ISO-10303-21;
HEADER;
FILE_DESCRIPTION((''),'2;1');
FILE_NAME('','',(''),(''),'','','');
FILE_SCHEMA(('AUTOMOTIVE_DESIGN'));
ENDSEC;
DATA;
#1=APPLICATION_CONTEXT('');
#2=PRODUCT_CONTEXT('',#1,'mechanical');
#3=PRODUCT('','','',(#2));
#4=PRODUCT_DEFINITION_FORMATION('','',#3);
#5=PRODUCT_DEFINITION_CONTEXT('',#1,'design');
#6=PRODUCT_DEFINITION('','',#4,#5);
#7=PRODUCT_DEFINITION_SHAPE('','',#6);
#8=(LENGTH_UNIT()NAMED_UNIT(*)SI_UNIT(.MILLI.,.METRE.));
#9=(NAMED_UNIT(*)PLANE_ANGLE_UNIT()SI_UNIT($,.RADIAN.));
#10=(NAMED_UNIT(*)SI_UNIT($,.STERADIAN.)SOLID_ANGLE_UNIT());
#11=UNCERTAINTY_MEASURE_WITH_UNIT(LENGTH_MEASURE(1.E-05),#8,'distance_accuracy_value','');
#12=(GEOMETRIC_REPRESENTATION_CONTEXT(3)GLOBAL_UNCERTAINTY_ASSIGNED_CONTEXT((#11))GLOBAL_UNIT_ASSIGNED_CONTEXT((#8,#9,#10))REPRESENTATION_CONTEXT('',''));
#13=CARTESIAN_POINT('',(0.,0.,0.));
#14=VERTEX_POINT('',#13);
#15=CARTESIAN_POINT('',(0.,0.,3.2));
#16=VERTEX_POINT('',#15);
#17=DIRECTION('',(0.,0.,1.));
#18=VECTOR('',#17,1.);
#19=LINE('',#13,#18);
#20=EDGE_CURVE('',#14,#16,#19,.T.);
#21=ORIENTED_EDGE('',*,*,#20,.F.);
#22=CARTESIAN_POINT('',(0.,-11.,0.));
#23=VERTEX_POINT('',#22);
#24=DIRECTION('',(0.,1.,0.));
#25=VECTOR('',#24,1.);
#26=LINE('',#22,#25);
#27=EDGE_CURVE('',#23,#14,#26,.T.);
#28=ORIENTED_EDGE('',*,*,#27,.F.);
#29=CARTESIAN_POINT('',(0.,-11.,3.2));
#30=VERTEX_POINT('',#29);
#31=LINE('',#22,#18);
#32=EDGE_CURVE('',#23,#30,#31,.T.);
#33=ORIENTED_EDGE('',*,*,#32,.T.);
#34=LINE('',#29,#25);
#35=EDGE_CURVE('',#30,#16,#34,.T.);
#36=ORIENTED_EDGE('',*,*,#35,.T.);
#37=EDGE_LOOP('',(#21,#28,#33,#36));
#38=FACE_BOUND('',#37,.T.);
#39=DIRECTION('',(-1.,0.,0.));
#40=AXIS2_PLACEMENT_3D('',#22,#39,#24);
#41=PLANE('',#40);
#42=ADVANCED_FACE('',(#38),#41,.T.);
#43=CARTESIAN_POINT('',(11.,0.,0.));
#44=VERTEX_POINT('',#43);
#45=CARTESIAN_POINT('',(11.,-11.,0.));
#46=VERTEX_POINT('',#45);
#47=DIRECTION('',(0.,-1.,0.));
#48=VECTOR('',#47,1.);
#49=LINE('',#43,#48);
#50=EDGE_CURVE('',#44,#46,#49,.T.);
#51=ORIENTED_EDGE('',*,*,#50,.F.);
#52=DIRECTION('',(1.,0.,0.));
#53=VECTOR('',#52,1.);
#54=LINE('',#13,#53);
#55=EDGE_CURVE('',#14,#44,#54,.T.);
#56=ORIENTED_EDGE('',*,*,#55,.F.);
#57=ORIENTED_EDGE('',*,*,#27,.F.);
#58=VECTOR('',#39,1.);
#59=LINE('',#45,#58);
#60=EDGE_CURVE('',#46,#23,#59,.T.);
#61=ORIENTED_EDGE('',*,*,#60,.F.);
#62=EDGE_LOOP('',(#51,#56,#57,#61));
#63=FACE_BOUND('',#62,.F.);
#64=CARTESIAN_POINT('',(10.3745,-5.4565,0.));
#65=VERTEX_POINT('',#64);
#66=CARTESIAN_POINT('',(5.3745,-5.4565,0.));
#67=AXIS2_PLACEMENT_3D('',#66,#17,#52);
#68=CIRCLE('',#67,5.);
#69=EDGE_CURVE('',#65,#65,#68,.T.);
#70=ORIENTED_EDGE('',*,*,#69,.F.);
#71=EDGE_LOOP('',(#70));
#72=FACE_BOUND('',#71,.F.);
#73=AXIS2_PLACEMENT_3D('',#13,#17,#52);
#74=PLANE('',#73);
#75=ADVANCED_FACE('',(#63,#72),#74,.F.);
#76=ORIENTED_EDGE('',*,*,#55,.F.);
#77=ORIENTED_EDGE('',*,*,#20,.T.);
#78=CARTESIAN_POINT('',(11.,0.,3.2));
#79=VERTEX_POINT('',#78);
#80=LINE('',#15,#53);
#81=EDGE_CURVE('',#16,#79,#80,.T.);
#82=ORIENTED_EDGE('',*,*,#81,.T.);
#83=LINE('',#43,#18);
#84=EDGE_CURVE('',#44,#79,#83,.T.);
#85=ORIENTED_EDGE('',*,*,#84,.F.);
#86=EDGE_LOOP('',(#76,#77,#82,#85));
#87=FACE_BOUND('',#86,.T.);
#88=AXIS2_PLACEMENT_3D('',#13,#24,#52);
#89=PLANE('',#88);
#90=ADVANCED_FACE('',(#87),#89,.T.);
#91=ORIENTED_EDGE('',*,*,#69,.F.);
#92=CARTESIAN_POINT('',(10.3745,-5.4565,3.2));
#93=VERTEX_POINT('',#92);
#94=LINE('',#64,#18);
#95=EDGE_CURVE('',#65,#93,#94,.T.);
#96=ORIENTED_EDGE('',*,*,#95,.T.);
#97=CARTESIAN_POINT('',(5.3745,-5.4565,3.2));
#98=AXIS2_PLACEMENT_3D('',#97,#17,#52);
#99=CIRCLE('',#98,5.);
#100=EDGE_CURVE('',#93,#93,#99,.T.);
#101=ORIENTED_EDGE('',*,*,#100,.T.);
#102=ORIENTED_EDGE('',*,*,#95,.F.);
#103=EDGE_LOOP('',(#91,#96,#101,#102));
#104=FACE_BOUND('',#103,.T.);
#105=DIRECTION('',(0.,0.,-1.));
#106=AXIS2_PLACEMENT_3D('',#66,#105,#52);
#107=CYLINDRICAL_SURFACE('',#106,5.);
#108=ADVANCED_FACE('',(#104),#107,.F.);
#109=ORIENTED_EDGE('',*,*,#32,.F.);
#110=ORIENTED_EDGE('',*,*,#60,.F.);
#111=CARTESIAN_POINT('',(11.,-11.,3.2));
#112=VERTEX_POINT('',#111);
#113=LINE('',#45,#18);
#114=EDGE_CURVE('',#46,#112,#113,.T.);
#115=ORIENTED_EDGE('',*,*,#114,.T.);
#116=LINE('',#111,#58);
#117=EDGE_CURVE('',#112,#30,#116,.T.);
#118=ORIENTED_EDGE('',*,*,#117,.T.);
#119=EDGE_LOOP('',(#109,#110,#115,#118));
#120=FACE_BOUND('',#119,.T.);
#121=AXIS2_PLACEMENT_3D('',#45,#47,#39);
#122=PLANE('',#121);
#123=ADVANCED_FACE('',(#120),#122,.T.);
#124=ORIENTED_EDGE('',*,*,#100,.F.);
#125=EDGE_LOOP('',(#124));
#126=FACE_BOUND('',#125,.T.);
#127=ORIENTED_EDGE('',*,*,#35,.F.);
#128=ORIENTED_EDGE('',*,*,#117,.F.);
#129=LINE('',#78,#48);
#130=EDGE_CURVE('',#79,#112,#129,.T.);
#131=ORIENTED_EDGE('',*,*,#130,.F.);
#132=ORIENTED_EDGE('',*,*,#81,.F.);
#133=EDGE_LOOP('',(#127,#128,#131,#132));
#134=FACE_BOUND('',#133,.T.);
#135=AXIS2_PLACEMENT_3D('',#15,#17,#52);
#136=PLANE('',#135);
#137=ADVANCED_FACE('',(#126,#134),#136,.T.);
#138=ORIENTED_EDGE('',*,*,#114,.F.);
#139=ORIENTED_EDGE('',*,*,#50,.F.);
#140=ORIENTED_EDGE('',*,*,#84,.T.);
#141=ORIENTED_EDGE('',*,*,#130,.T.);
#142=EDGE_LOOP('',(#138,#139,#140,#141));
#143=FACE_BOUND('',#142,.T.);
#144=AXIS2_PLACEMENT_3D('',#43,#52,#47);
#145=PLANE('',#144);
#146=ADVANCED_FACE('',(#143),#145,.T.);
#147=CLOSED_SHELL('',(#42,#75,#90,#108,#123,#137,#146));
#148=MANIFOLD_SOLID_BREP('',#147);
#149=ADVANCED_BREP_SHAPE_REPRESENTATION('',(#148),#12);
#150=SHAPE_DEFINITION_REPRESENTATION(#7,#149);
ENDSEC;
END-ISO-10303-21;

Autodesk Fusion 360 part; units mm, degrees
sketch "movingPlatform" plane through (0, 0, 0) normal (0, 0, 1) x (1, 0, 0)
  circle A0 centre (5.3745, -5.4565) radius 5
  line L0 (0, 0) -> (11, 0)
  line L1 (11, 0) -> (11, -11)
  line L2 (11, -11) -> (0, -11)
  line L3 (0, -11) -> (0, 0)
  dimension "d58" = 11
  dimension "d65" = 10
  dimension "d78" = 11
extrude "Extrude15" add sketch "movingPlatform" along normal blind 3.2
